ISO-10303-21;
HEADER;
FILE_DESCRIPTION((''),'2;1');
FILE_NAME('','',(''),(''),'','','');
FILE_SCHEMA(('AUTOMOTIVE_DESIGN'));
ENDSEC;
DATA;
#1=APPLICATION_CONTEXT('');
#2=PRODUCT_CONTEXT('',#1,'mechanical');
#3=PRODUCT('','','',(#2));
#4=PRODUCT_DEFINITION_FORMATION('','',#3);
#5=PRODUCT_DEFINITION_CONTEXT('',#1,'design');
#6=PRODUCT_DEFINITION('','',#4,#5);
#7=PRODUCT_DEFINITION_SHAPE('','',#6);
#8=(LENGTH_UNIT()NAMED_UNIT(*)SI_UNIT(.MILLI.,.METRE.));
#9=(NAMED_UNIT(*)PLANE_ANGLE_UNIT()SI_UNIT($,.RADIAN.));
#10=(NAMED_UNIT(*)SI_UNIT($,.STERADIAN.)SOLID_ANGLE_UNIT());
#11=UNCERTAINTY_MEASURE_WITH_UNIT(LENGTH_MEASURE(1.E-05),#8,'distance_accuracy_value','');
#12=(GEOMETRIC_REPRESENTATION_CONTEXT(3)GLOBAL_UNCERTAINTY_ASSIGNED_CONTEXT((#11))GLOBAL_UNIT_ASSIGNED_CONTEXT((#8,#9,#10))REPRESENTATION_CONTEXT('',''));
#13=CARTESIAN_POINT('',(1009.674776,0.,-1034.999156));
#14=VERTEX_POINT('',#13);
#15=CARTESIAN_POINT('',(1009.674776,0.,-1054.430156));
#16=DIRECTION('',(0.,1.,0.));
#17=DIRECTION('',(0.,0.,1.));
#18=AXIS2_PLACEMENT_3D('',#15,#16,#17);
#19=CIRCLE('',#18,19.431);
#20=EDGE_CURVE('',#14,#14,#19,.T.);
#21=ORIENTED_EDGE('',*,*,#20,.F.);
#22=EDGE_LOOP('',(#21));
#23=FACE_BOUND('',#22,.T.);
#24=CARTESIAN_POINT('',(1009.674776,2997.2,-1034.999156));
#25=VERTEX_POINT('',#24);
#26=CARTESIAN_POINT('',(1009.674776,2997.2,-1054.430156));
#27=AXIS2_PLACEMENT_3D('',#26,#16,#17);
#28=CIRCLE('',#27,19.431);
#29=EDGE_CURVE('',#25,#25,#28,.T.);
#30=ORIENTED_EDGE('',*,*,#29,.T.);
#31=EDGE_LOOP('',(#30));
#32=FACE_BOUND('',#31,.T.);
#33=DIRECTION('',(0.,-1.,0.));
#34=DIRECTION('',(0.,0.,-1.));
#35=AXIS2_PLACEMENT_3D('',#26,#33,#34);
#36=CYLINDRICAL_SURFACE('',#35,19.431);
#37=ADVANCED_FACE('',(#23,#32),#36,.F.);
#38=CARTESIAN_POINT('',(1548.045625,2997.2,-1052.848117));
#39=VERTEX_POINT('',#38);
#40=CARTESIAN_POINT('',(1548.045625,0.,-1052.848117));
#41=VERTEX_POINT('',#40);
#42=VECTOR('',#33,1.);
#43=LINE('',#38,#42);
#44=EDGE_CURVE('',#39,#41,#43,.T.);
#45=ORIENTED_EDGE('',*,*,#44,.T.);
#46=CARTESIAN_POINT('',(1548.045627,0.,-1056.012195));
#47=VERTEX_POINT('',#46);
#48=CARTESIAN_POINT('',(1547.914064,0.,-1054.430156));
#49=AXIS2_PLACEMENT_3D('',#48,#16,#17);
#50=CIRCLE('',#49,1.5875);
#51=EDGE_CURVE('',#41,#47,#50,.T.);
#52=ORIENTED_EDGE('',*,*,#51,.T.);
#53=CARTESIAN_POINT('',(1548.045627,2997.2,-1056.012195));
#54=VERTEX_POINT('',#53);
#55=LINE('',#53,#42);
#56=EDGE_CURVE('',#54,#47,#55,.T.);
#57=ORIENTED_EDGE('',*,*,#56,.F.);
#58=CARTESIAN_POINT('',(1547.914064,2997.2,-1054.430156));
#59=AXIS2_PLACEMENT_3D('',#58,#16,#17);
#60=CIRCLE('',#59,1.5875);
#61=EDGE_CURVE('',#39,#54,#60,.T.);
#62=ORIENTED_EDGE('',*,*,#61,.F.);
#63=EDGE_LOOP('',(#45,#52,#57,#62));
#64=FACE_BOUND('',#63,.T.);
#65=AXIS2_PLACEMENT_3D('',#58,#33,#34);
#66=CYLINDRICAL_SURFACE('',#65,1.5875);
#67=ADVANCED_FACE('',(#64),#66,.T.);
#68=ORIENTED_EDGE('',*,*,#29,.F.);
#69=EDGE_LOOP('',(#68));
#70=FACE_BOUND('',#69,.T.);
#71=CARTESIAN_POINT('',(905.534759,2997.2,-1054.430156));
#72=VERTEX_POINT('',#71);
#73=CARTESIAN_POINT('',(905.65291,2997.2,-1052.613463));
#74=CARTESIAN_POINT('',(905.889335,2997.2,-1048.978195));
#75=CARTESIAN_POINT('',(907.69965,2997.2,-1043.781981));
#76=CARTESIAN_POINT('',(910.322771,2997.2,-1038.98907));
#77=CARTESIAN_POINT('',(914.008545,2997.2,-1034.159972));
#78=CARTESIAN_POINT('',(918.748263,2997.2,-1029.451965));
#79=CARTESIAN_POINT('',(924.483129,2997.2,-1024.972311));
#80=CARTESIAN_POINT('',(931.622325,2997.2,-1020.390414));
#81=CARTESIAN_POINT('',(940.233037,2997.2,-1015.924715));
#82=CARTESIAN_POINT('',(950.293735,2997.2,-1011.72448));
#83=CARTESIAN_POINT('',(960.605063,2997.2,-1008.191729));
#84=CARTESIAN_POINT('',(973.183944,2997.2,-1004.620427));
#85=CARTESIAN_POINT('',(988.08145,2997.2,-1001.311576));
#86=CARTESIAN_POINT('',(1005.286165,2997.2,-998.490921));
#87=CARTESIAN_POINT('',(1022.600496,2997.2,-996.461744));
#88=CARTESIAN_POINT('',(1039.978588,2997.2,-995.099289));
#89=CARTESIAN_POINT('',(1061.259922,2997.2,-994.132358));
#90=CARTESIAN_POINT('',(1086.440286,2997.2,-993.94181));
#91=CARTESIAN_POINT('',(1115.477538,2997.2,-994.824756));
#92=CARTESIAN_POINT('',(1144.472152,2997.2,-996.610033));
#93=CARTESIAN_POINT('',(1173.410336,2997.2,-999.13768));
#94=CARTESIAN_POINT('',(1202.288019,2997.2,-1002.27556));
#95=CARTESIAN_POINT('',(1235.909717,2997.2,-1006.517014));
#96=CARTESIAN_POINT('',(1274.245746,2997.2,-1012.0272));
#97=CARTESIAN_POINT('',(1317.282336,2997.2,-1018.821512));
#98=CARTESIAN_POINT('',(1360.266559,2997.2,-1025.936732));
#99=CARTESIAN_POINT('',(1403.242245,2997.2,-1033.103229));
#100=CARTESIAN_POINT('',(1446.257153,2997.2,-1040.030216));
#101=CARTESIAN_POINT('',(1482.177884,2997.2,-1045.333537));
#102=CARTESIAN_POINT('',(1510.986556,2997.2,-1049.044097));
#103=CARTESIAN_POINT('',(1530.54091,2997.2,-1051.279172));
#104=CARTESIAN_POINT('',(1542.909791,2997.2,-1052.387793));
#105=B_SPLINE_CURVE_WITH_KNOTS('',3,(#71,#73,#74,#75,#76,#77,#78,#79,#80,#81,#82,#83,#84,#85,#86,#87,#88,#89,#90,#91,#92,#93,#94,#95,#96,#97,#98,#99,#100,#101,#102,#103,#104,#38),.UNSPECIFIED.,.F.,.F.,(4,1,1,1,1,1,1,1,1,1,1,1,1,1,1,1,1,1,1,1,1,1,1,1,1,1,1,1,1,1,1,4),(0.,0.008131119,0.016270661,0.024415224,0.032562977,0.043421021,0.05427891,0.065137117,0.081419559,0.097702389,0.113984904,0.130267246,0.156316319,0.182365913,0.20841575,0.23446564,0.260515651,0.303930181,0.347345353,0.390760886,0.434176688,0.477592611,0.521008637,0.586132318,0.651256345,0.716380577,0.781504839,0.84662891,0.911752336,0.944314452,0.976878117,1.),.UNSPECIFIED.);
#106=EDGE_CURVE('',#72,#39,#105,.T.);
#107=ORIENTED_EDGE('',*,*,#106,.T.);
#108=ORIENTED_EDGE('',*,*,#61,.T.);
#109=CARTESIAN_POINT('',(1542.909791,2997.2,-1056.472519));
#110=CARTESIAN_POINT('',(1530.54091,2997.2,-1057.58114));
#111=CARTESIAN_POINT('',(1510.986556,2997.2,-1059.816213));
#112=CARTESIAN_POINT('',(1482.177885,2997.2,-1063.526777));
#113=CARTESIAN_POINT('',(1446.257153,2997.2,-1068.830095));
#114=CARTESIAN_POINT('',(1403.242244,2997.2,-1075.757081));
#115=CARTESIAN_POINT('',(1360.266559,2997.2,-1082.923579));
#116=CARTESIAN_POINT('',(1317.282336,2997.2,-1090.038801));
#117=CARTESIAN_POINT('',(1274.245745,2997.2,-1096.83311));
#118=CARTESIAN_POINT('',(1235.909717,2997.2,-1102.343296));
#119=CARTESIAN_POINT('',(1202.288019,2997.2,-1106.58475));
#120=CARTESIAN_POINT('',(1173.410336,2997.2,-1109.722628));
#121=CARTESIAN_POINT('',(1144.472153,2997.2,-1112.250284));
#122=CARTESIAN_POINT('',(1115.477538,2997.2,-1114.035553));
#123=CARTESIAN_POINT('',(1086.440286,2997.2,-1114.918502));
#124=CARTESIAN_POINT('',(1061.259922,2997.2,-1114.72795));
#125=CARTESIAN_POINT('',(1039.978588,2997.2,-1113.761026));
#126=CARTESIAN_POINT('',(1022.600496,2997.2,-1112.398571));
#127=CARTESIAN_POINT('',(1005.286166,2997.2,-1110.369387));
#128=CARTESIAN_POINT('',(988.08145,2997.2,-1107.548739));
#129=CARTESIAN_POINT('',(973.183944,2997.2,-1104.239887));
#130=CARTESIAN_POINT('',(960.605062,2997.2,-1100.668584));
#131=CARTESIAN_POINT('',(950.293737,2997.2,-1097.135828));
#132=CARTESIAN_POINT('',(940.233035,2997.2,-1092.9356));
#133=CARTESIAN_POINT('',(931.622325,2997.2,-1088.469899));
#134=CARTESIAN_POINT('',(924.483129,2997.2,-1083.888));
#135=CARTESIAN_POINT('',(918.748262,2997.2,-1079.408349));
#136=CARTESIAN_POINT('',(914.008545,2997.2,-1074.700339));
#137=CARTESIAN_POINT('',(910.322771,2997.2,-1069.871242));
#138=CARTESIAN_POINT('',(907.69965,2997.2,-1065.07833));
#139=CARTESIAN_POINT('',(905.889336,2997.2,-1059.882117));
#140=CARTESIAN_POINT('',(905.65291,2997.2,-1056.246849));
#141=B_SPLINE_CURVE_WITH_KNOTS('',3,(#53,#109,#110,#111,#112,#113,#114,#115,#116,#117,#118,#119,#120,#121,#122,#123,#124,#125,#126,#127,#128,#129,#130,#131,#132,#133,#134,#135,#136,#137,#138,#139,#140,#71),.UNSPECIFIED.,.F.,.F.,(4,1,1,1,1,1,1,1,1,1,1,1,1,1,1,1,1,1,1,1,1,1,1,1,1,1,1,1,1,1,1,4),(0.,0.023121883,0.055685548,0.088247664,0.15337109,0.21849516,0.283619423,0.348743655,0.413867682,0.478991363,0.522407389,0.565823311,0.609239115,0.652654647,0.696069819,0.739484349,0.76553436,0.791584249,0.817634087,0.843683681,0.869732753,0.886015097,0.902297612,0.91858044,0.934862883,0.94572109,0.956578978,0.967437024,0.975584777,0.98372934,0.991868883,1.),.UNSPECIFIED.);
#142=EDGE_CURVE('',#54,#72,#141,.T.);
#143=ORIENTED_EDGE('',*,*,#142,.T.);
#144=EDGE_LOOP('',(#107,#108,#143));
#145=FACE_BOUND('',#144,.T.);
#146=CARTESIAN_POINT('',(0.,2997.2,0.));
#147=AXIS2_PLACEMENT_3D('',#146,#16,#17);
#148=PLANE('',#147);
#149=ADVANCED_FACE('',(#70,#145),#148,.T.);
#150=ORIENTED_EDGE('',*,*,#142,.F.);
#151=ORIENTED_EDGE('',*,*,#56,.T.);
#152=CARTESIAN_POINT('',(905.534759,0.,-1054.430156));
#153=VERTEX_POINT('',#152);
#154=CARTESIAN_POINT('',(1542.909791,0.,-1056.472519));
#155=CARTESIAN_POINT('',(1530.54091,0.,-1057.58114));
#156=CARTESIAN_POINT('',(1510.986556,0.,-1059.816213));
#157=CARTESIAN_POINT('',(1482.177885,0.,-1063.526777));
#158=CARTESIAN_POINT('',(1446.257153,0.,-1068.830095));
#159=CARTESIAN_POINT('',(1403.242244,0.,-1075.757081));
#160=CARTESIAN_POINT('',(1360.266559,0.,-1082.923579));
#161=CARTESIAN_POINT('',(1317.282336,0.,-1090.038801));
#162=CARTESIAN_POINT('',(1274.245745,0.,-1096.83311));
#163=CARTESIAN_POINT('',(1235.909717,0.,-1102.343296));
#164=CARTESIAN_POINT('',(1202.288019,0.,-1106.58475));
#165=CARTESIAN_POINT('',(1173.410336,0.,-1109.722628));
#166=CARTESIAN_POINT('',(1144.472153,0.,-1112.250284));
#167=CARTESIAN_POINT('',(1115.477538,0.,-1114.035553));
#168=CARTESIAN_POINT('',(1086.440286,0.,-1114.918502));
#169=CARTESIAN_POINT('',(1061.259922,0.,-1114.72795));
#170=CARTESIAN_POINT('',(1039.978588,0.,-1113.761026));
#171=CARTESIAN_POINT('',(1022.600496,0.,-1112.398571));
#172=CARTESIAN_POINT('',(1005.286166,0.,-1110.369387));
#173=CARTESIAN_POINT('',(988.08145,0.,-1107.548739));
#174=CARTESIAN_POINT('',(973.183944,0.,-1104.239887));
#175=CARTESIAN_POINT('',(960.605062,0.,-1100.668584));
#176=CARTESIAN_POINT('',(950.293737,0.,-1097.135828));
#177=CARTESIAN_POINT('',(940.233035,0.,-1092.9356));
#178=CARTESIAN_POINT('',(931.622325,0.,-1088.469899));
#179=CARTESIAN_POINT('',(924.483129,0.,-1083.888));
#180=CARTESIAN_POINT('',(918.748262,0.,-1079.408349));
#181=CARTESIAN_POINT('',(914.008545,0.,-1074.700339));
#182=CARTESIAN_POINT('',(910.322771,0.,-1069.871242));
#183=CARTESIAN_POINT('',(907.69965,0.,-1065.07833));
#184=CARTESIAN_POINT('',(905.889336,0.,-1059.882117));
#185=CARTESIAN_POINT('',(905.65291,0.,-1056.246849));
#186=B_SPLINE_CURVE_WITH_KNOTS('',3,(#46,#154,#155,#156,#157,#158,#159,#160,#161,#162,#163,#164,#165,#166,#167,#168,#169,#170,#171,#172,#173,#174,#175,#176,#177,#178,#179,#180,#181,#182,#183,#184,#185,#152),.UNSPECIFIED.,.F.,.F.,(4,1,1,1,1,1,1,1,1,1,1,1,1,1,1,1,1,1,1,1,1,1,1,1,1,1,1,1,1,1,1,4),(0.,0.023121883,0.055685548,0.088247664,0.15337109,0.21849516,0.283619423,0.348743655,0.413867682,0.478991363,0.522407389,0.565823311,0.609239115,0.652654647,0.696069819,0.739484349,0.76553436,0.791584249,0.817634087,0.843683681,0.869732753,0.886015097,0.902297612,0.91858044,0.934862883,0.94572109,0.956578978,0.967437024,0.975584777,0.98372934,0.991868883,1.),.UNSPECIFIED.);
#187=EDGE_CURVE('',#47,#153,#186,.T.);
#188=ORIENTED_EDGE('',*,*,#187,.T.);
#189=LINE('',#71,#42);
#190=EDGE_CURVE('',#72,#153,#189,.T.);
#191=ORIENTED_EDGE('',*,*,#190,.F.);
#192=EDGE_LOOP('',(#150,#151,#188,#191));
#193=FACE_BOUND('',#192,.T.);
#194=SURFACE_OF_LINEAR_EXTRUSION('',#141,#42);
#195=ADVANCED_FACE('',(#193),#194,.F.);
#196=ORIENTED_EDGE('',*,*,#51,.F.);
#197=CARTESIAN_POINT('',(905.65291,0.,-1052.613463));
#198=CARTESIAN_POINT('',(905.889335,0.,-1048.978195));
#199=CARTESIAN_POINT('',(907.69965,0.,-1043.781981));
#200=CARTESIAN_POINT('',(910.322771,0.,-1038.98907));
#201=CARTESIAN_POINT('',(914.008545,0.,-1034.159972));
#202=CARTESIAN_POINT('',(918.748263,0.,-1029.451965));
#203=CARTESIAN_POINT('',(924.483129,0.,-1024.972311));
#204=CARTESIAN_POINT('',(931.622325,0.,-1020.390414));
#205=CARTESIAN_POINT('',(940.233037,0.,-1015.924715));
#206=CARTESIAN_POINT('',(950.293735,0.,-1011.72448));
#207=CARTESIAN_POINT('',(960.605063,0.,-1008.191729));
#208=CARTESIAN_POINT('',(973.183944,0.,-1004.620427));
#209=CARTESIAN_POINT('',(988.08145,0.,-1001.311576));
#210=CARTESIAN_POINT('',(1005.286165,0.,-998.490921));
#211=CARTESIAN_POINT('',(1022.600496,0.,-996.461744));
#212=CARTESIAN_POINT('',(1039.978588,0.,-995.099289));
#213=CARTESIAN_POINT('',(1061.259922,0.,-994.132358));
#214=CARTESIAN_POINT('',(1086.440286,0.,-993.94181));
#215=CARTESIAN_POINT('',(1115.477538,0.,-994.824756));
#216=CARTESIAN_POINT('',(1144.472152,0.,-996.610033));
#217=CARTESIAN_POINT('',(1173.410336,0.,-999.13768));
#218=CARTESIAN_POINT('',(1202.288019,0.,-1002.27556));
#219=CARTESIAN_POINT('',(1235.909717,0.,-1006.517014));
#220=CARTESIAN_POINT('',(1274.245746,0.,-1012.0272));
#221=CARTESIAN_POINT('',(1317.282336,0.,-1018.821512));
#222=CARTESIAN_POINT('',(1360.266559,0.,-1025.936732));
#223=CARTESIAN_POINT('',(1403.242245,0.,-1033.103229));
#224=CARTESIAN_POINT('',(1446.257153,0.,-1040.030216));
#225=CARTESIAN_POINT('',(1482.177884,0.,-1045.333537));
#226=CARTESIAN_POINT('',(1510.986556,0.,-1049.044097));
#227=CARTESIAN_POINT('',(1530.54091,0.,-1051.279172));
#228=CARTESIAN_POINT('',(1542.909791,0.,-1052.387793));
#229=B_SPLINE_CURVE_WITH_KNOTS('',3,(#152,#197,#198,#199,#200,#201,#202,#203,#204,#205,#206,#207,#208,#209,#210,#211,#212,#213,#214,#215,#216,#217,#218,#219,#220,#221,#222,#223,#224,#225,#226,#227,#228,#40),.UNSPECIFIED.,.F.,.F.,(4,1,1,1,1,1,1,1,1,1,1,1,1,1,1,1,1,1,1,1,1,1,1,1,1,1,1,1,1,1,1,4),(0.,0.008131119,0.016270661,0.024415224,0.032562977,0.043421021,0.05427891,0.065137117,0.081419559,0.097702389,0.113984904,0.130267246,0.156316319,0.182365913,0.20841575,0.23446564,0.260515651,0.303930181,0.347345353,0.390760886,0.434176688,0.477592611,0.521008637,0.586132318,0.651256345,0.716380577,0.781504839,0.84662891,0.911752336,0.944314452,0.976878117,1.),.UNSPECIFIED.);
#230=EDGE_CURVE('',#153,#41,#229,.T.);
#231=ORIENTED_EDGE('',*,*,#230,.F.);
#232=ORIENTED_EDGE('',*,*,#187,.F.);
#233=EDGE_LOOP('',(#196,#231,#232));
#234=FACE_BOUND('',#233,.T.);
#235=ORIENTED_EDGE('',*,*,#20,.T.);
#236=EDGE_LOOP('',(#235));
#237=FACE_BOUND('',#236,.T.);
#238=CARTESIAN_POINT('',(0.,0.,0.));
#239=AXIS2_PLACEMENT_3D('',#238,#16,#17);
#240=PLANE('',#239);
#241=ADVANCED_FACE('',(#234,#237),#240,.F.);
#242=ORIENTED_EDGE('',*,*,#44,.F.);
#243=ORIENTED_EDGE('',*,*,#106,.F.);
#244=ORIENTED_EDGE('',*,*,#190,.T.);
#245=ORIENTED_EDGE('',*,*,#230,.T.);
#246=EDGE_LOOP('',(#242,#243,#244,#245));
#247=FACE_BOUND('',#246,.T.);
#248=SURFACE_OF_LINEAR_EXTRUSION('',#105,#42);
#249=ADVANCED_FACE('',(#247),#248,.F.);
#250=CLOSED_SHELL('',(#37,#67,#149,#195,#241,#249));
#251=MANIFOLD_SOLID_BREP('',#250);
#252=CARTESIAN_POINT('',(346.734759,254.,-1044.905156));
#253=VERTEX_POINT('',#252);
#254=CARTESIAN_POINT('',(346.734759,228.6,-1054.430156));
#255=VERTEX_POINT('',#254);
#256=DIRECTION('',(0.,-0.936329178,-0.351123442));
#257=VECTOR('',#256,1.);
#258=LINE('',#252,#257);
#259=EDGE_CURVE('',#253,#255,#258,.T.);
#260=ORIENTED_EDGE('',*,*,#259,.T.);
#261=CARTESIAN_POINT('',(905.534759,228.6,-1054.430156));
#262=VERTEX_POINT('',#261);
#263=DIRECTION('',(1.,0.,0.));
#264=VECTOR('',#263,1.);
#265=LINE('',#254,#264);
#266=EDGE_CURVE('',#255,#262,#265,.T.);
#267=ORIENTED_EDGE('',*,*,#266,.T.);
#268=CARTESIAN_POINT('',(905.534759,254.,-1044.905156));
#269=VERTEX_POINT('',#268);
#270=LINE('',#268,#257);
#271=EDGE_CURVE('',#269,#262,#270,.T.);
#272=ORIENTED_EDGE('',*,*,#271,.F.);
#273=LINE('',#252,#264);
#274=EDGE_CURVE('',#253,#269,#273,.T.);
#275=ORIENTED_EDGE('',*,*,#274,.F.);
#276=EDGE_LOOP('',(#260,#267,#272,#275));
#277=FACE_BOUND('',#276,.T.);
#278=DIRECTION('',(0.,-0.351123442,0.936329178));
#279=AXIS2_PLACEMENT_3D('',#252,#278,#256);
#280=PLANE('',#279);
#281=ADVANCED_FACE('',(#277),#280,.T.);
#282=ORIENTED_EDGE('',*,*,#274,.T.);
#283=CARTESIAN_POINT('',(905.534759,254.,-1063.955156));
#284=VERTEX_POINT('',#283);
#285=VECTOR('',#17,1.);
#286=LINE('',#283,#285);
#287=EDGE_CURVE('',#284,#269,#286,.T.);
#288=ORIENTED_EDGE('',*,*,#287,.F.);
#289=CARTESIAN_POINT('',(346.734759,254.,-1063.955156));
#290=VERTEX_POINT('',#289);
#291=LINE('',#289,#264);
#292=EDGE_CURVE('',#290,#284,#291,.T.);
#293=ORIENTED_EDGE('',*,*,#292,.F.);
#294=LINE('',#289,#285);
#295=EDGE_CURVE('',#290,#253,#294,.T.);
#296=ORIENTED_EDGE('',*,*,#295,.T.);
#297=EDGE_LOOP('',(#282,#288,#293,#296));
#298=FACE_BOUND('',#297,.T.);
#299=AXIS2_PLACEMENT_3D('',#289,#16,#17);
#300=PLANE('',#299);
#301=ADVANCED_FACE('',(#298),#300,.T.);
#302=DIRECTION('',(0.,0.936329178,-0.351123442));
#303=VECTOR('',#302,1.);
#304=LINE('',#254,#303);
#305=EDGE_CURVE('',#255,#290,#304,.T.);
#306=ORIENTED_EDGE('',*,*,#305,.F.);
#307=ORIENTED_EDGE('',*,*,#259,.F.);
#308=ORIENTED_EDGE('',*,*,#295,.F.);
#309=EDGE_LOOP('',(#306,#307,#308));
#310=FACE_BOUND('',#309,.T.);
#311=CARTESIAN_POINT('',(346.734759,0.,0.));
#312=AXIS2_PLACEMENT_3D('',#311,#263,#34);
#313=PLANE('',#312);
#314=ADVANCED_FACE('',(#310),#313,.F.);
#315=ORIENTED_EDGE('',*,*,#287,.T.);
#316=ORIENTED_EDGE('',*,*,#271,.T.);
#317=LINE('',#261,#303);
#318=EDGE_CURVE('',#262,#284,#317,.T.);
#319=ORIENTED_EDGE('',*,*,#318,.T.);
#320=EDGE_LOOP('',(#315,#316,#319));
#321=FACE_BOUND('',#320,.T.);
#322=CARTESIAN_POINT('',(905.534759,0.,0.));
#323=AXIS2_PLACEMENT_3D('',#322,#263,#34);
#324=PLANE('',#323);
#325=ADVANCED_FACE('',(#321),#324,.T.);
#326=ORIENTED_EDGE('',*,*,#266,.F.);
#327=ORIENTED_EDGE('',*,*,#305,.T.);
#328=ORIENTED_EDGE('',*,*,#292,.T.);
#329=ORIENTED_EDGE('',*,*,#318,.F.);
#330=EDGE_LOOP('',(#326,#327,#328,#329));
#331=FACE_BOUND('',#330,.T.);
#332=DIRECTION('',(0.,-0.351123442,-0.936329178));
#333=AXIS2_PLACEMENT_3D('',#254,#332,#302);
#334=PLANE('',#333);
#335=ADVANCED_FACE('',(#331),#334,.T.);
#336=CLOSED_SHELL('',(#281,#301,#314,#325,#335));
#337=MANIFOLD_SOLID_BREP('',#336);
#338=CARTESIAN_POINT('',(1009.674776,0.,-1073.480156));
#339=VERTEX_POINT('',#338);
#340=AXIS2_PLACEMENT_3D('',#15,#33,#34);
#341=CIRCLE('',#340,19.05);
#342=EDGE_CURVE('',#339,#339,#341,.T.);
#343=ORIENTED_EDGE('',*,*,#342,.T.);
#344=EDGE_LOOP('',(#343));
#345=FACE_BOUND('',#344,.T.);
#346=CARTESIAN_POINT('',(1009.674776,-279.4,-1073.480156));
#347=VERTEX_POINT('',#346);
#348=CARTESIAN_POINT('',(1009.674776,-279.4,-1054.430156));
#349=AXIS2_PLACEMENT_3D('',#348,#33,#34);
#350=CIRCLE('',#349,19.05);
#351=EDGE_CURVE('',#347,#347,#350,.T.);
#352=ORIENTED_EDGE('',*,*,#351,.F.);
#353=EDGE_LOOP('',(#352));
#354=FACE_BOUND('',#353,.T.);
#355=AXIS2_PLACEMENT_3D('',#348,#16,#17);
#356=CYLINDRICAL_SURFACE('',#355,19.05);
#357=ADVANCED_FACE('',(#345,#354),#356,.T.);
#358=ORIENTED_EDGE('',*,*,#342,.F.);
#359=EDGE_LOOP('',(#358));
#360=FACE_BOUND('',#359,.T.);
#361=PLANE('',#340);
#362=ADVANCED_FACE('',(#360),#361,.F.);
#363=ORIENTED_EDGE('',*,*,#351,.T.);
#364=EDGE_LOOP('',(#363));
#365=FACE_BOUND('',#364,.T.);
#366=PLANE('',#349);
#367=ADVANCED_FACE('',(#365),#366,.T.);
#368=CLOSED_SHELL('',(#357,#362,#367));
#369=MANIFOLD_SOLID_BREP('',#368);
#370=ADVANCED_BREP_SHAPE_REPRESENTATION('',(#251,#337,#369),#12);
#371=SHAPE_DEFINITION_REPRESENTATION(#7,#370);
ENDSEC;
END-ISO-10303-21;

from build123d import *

# Parameters (mm, degrees)
BOSS_EXTRUDE2_DEPTH = 2997.2
SKETCH3_R           = 19.05
BOSS_EXTRUDE3_DEPTH = 279.4
BOSS_EXTRUDE4_DEPTH = 558.8


with BuildPart() as part:
    # Sketch2 → Boss-Extrude2 (new body)
    with BuildSketch(Plane(origin=(0, 0, 0), x_dir=(1, 0, 0), z_dir=(0, 1, 0))):
        with BuildLine():
            ThreePointArc((1549.501563464, 1054.430155843), (1549.08218451, 1055.50516717), (1548.045627141, 1056.012194665))
            add(Edge.make_bspline(
                [(1548.045627141, 1056.012194665), (1542.909791323, 1056.472519013), (1530.540909696, 1057.58114039), (1510.986556039, 1059.816213412), (1482.177884589, 1063.526776902), (1446.257152965, 1068.830094812), (1403.24224431, 1075.757081034), (1360.266558732, 1082.923578828), (1317.282336171, 1090.038800752), (1274.245745344, 1096.833109902), (1235.909717346, 1102.343296296), (1202.288019328, 1106.58475046), (1173.410335805, 1109.722628213), (1144.472152594, 1112.250283696), (1115.477538312, 1114.035552823), (1086.440285904, 1114.91850176), (1061.259922028, 1114.727950405), (1039.978587587, 1113.761025966), (1022.600495844, 1112.398571136), (1005.28616565, 1110.369387303), (988.081449654, 1107.548738994), (973.183943905, 1104.239887104), (960.605062366, 1100.668583987), (950.293736789, 1097.13582835), (940.233035207, 1092.935600496), (931.622325068, 1088.469898534), (924.483129487, 1083.888000396), (918.748261755, 1079.408348845), (914.008545213, 1074.700339431), (910.322770867, 1069.87124211), (907.699650062, 1065.078330087), (905.889335524, 1059.882116762), (905.652910054, 1056.246848831), (905.534758532, 1054.430156076)],
                knots=[0, 0, 0, 0, 0.023121883, 0.055685548, 0.088247664, 0.15337109, 0.21849516, 0.283619423, 0.348743655, 0.413867682, 0.478991363, 0.522407389, 0.565823311, 0.609239115, 0.652654647, 0.696069819, 0.739484349, 0.76553436, 0.791584249, 0.817634087, 0.843683681, 0.869732753, 0.886015097, 0.902297612, 0.91858044, 0.934862883, 0.94572109, 0.956578978, 0.967437024, 0.975584777, 0.98372934, 0.991868883, 1, 1, 1, 1], degree=3))
            add(Edge.make_bspline(
                [(905.534758532, 1054.430156076), (905.652910039, 1052.613463015), (905.88933546, 1048.978194781), (907.699649807, 1043.781981262), (910.322771314, 1038.98906985), (914.008544543, 1034.159972218), (918.748262951, 1029.451964506), (924.483128543, 1024.972310552), (931.622325102, 1020.390413689), (940.233036612, 1015.924714877), (950.293735449, 1011.724480454), (960.605062585, 1008.191728555), (973.18394417, 1004.620427227), (988.081450073, 1001.311576473), (1005.28616494, 998.490920502), (1022.600496189, 996.461744206), (1039.978587645, 995.099288886), (1061.259921893, 994.132357669), (1086.440285899, 993.94180969), (1115.477538494, 994.824755562), (1144.472152215, 996.610033065), (1173.410336049, 999.137680365), (1202.288019296, 1002.275560259), (1235.909717341, 1006.517013927), (1274.24574555, 1012.027199725), (1317.282335886, 1018.821512255), (1360.266558748, 1025.93673228), (1403.242244502, 1033.103228848), (1446.25715298, 1040.030216421), (1482.177884301, 1045.333537131), (1510.986556242, 1049.044096892), (1530.540909566, 1051.279172408), (1542.909791307, 1052.387792672), (1548.045625368, 1052.848116875)],
                knots=[0, 0, 0, 0, 0.008131119, 0.016270661, 0.024415224, 0.032562977, 0.043421021, 0.05427891, 0.065137117, 0.081419559, 0.097702389, 0.113984904, 0.130267246, 0.156316319, 0.182365913, 0.20841575, 0.23446564, 0.260515651, 0.303930181, 0.347345353, 0.390760886, 0.434176688, 0.477592611, 0.521008637, 0.586132318, 0.651256345, 0.716380577, 0.781504839, 0.84662891, 0.911752336, 0.944314452, 0.976878117, 1, 1, 1, 1], degree=3))
            ThreePointArc((1548.045625368, 1052.848116875), (1549.082183907, 1053.355143862), (1549.501563464, 1054.430155843))
        make_face()
        with BuildLine():
            ThreePointArc((1029.105776074, 1054.430155987), (1009.674776074, 1073.861155987), (990.243776074, 1054.430155987))
            ThreePointArc((990.243776074, 1054.430155987), (1009.674776074, 1034.999155987), (1029.105776074, 1054.430155987))
        make_face(mode=Mode.SUBTRACT)
    extrude(amount=BOSS_EXTRUDE2_DEPTH)


with BuildPart() as body_2:
    # Sketch3 → Boss-Extrude3 (new body)
    with BuildSketch(Plane.XZ):
        with Locations((1009.674776074, -1054.430155987)):
            Circle(SKETCH3_R)
    extrude(amount=BOSS_EXTRUDE3_DEPTH)


with BuildPart() as body_3:
    # Sketch4 → Boss-Extrude4 (new body)
    with BuildSketch(Plane(origin=(905.534758532, 0, 0), x_dir=(0, 0, -1), z_dir=(1, 0, 0))):
        Polygon((1063.955156076, 254), (1044.905156076, 254), (1054.430156076, 228.6), align=None)
    extrude(amount=-BOSS_EXTRUDE4_DEPTH)


solid = Compound([part.part, body_2.part, body_3.part])
